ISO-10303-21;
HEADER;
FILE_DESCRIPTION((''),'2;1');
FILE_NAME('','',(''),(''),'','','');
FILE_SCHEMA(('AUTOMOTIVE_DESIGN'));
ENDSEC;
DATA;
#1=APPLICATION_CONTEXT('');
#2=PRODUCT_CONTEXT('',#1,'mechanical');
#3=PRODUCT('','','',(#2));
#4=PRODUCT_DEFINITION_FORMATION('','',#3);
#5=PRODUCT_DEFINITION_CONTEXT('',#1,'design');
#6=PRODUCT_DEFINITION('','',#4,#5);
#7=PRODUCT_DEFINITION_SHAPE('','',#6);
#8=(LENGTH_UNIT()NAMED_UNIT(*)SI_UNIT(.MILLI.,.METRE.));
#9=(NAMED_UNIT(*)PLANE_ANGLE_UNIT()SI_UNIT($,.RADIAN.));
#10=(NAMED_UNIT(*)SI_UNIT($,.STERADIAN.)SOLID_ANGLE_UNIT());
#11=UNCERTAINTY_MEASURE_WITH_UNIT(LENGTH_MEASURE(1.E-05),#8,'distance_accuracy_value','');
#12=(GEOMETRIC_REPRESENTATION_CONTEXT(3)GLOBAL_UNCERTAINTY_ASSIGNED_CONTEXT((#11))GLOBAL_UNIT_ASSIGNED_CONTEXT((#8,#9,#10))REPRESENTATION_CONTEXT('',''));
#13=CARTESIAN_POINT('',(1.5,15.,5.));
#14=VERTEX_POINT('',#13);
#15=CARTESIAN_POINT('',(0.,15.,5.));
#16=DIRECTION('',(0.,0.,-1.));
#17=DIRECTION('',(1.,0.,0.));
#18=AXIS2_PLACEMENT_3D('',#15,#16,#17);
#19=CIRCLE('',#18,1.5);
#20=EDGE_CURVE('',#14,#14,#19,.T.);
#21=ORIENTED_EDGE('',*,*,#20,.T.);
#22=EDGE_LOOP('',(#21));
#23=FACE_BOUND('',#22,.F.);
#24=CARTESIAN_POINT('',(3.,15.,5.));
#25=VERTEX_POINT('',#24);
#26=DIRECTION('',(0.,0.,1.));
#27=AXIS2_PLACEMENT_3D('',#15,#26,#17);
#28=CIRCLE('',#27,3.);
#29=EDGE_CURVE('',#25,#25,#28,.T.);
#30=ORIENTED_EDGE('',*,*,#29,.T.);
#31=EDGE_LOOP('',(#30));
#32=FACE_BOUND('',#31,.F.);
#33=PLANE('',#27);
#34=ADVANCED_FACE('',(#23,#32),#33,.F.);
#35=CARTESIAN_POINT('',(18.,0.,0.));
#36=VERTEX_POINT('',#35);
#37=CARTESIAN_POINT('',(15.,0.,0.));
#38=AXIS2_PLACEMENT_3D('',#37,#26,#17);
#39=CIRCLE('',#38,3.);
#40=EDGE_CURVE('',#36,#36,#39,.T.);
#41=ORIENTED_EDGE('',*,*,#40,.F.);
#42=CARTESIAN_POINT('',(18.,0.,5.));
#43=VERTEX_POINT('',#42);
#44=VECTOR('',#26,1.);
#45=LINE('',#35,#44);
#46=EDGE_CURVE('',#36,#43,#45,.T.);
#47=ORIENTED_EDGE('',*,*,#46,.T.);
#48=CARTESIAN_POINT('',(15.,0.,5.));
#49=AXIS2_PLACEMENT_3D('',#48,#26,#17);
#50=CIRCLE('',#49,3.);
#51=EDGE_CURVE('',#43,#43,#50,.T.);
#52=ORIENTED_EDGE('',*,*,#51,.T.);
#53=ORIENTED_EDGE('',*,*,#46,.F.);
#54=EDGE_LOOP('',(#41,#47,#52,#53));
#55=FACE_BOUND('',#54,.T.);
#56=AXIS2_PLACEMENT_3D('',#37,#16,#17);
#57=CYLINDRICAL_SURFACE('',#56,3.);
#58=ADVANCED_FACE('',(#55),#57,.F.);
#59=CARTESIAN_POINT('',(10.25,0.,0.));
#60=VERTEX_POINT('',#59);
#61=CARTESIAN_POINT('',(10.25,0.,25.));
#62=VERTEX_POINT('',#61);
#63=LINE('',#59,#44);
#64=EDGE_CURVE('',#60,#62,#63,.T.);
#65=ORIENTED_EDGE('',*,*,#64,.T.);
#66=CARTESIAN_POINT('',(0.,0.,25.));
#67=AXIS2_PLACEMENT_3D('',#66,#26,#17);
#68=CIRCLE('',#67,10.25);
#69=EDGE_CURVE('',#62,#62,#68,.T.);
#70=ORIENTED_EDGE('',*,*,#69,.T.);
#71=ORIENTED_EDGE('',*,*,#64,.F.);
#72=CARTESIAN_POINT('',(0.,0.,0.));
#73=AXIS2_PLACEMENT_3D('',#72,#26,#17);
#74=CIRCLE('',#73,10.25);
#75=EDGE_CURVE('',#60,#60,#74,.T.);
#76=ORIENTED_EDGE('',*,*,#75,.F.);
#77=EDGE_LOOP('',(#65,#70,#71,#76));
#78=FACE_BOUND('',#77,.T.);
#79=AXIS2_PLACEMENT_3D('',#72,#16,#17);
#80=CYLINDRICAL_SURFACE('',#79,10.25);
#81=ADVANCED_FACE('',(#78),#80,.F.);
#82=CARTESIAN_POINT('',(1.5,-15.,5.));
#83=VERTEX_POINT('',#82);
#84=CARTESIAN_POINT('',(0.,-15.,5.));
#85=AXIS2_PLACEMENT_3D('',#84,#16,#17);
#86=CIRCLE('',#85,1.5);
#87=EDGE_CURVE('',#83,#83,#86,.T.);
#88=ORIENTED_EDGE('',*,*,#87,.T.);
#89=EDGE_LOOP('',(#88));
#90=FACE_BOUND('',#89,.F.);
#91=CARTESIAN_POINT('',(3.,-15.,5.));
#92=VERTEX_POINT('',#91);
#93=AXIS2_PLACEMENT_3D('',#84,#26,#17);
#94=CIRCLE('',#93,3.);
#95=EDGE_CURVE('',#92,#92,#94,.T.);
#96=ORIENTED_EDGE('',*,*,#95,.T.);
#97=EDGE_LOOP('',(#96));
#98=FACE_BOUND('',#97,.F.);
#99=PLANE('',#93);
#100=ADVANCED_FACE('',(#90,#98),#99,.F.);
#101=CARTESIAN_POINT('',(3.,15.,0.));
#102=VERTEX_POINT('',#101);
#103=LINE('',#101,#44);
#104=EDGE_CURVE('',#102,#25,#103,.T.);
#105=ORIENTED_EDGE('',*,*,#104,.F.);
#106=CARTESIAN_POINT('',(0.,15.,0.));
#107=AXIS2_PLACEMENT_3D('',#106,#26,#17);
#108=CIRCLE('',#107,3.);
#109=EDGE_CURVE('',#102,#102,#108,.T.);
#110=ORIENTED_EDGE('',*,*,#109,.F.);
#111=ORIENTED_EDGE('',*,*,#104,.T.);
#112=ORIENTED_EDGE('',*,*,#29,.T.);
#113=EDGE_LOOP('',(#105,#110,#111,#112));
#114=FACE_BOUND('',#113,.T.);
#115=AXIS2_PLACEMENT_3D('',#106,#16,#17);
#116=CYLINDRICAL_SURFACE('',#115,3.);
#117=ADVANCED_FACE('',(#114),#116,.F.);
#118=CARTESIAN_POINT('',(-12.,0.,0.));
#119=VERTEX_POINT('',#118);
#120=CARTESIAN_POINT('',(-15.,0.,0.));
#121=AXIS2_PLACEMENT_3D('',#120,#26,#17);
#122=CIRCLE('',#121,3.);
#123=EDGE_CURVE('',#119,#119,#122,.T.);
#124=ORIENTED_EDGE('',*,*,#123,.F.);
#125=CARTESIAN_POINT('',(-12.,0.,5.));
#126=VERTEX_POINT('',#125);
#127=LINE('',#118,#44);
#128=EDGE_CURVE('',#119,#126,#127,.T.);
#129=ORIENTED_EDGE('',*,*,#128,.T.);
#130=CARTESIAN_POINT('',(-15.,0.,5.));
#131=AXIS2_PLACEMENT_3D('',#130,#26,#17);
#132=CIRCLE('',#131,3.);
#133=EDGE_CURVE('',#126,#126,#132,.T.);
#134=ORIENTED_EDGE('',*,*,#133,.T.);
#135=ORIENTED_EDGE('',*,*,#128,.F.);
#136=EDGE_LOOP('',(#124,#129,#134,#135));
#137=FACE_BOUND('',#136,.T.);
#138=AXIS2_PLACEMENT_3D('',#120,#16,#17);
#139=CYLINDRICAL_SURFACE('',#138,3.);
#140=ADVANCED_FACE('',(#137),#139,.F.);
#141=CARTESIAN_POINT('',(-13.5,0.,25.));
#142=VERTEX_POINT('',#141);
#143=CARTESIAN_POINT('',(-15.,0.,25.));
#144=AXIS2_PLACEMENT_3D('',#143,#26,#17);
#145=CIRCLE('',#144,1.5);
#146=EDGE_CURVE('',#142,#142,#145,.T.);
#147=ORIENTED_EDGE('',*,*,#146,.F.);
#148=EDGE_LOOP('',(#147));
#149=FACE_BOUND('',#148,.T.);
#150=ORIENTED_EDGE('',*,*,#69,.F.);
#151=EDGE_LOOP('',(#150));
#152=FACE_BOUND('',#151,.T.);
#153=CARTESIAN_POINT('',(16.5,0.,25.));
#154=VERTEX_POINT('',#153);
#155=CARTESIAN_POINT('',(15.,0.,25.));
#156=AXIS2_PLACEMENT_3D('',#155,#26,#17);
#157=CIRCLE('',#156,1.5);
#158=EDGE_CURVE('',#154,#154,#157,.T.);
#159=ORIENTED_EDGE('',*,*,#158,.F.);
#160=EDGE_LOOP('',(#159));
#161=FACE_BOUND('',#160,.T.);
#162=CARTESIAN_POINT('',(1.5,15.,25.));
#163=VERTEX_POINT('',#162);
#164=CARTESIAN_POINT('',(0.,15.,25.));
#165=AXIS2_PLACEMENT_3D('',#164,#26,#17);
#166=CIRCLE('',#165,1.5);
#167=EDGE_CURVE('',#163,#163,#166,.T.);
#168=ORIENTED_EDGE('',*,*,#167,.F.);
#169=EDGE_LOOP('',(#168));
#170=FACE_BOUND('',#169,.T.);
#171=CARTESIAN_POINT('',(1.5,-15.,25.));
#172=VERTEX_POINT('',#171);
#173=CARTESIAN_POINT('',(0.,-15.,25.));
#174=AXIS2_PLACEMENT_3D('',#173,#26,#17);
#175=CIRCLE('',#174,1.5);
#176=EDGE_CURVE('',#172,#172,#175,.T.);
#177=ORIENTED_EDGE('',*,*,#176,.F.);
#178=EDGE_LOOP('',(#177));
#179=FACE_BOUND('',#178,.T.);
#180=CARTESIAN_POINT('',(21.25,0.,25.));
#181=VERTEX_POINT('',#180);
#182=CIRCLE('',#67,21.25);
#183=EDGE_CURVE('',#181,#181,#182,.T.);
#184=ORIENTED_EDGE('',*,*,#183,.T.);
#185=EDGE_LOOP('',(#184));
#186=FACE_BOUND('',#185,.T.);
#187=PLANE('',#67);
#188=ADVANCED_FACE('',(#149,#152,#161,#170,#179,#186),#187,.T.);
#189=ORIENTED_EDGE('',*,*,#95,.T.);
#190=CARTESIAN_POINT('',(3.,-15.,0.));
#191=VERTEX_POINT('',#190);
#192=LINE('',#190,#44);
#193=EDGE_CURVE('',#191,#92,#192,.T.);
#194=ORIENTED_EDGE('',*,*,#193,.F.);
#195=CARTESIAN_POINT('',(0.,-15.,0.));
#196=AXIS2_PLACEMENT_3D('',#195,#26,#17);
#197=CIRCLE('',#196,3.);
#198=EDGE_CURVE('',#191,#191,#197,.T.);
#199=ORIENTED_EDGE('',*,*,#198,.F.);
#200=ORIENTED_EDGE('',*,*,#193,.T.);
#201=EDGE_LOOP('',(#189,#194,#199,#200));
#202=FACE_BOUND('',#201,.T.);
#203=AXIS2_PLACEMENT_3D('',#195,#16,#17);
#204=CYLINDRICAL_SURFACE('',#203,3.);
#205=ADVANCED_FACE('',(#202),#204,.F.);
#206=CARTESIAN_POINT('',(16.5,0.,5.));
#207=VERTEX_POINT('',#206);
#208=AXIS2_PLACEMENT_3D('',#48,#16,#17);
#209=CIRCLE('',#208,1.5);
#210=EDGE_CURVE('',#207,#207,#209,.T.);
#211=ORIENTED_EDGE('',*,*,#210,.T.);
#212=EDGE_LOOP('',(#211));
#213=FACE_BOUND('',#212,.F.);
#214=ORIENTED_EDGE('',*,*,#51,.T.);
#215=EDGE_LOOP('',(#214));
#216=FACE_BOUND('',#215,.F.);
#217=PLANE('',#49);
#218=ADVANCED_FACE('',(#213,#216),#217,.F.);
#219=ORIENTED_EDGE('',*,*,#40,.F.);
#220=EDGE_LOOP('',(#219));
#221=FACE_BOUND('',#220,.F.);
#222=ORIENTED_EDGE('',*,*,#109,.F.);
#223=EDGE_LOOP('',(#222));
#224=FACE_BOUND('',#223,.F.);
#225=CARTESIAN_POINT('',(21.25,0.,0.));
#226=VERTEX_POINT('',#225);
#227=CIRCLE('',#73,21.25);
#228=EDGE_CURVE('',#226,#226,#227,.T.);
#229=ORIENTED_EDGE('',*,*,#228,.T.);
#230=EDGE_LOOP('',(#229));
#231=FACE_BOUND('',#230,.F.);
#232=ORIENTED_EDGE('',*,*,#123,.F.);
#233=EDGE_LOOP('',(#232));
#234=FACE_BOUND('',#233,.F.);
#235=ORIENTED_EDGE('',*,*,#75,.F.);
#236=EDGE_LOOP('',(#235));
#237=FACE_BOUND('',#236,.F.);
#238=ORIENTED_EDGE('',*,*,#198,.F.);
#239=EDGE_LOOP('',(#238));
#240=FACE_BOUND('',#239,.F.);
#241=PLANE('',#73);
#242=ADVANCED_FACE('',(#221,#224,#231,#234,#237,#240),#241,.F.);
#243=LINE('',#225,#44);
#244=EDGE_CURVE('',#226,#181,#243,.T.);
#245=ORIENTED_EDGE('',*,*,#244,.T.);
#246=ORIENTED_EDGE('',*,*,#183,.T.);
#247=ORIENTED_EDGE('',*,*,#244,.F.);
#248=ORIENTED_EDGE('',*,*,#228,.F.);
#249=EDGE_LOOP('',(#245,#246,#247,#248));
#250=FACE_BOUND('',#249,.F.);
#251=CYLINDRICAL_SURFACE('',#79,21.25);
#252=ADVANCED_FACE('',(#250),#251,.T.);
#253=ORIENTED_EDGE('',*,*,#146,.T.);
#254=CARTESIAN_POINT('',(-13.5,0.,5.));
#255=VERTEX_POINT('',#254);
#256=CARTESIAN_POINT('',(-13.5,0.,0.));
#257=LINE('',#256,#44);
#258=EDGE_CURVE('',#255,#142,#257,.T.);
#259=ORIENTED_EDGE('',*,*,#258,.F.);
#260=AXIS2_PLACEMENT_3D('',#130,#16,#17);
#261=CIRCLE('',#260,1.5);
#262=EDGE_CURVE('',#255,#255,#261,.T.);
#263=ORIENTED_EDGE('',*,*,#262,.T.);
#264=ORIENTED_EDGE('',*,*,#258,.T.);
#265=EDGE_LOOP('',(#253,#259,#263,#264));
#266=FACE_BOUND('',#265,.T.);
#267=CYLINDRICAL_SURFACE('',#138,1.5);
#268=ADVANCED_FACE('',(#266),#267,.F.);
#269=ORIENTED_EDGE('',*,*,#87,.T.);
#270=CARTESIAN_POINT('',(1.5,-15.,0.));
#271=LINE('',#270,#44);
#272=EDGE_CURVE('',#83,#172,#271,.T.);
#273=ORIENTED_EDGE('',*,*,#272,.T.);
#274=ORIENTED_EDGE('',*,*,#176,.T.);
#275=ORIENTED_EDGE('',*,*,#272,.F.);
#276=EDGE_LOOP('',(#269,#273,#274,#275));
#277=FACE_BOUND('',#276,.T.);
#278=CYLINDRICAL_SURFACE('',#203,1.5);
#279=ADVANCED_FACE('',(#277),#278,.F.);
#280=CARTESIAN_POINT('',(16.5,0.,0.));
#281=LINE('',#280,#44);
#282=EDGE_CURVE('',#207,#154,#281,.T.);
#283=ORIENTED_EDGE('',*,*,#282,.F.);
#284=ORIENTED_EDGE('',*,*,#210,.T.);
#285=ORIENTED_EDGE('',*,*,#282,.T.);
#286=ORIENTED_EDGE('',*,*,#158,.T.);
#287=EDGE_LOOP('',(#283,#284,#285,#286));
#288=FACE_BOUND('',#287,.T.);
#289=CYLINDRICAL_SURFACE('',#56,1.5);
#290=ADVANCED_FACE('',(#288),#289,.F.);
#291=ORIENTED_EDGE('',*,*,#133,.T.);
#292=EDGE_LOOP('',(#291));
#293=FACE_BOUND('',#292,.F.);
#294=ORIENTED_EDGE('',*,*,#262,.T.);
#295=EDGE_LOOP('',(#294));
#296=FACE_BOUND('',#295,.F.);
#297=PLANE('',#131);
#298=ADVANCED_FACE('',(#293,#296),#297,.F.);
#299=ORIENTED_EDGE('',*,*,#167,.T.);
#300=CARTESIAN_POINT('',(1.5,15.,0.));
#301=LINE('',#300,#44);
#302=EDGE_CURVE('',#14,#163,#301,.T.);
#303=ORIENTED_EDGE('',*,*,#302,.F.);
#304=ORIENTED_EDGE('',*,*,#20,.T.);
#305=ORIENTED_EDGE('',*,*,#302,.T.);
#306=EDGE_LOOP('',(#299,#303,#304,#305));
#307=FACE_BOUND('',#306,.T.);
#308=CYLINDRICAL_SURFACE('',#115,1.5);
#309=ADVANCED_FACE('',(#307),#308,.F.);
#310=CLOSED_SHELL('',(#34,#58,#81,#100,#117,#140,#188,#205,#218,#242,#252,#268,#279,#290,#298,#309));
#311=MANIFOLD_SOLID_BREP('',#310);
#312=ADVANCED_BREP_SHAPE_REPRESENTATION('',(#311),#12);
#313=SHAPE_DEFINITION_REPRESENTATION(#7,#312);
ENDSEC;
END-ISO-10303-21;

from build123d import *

# Parameters (mm, degrees)
CYLINDER007_R     = 3
CYLINDER007_DEPTH = 5
CYLINDER008_R     = 3
CYLINDER008_DEPTH = 5
CYLINDER009_R     = 3
CYLINDER009_DEPTH = 5
CYLINDER006_R     = 3
CYLINDER006_DEPTH = 5
CYLINDER005_R     = 1.5
CYLINDER005_DEPTH = 25
CYLINDER004_R     = 1.5
CYLINDER004_DEPTH = 25
CYLINDER003_R     = 1.5
CYLINDER003_DEPTH = 25
CYLINDER002_R     = 1.5
CYLINDER002_DEPTH = 25
CYLINDER001_R     = 10.25
CYLINDER001_DEPTH = 25
CYLINDER_R        = 21.25
CYLINDER_DEPTH    = 25


with BuildPart() as zylinder007:
    # Cylinder007 → Cylinder007 (new body)
    with BuildSketch(Plane(origin=(0, 15, 0), x_dir=(1, 0, 0), z_dir=(0, 0, 1))):
        Circle(CYLINDER007_R)
    extrude(amount=CYLINDER007_DEPTH)


with BuildPart() as zylinder008:
    # Cylinder008 → Cylinder008 (new body)
    with BuildSketch(Plane(origin=(-15, 0, 0), x_dir=(1, 0, 0), z_dir=(0, 0, 1))):
        Circle(CYLINDER008_R)
    extrude(amount=CYLINDER008_DEPTH)


with BuildPart() as zylinder009:
    # Cylinder009 → Cylinder009 (new body)
    with BuildSketch(Plane(origin=(0, -15, 0), x_dir=(1, 0, 0), z_dir=(0, 0, 1))):
        Circle(CYLINDER009_R)
    extrude(amount=CYLINDER009_DEPTH)


with BuildPart() as zylinder006:
    # Cylinder006 → Cylinder006 (new body)
    with BuildSketch(Plane(origin=(15, 0, 0), x_dir=(1, 0, 0), z_dir=(0, 0, 1))):
        Circle(CYLINDER006_R)
    extrude(amount=CYLINDER006_DEPTH)


with BuildPart() as zylinder005:
    # Cylinder005 → Cylinder005 (new body)
    with BuildSketch(Plane(origin=(0, -15, 0), x_dir=(1, 0, 0), z_dir=(0, 0, 1))):
        Circle(CYLINDER005_R)
    extrude(amount=CYLINDER005_DEPTH)


with BuildPart() as zylinder004:
    # Cylinder004 → Cylinder004 (new body)
    with BuildSketch(Plane(origin=(-15, 0, 0), x_dir=(1, 0, 0), z_dir=(0, 0, 1))):
        Circle(CYLINDER004_R)
    extrude(amount=CYLINDER004_DEPTH)


with BuildPart() as zylinder003:
    # Cylinder003 → Cylinder003 (new body)
    with BuildSketch(Plane(origin=(0, 15, 0), x_dir=(1, 0, 0), z_dir=(0, 0, 1))):
        Circle(CYLINDER003_R)
    extrude(amount=CYLINDER003_DEPTH)


with BuildPart() as zylinder002:
    # Cylinder002 → Cylinder002 (new body)
    with BuildSketch(Plane(origin=(15, 0, 0), x_dir=(1, 0, 0), z_dir=(0, 0, 1))):
        Circle(CYLINDER002_R)
    extrude(amount=CYLINDER002_DEPTH)


with BuildPart() as zylinder001:
    # Cylinder001 → Cylinder001 (new body)
    with BuildSketch(Plane.XY):
        Circle(CYLINDER001_R)
    extrude(amount=CYLINDER001_DEPTH)


with BuildPart() as cut008:
    # Cylinder → Cylinder (new body)
    with BuildSketch(Plane.XY):
        Circle(CYLINDER_R)
    extrude(amount=CYLINDER_DEPTH)

    # Cut: cut Zylinder001
    add(zylinder001.part, mode=Mode.SUBTRACT)

    # Cut001: cut Zylinder002
    add(zylinder002.part, mode=Mode.SUBTRACT)

    # Cut002: cut Zylinder003
    add(zylinder003.part, mode=Mode.SUBTRACT)

    # Cut003: cut Zylinder004
    add(zylinder004.part, mode=Mode.SUBTRACT)

    # Cut004: cut Zylinder005
    add(zylinder005.part, mode=Mode.SUBTRACT)

    # Cut005: cut Zylinder006
    add(zylinder006.part, mode=Mode.SUBTRACT)

    # Cut006: cut Zylinder009
    add(zylinder009.part, mode=Mode.SUBTRACT)

    # Cut007: cut Zylinder008
    add(zylinder008.part, mode=Mode.SUBTRACT)

    # Cut008: cut Zylinder007
    add(zylinder007.part, mode=Mode.SUBTRACT)


solid = cut008.part
